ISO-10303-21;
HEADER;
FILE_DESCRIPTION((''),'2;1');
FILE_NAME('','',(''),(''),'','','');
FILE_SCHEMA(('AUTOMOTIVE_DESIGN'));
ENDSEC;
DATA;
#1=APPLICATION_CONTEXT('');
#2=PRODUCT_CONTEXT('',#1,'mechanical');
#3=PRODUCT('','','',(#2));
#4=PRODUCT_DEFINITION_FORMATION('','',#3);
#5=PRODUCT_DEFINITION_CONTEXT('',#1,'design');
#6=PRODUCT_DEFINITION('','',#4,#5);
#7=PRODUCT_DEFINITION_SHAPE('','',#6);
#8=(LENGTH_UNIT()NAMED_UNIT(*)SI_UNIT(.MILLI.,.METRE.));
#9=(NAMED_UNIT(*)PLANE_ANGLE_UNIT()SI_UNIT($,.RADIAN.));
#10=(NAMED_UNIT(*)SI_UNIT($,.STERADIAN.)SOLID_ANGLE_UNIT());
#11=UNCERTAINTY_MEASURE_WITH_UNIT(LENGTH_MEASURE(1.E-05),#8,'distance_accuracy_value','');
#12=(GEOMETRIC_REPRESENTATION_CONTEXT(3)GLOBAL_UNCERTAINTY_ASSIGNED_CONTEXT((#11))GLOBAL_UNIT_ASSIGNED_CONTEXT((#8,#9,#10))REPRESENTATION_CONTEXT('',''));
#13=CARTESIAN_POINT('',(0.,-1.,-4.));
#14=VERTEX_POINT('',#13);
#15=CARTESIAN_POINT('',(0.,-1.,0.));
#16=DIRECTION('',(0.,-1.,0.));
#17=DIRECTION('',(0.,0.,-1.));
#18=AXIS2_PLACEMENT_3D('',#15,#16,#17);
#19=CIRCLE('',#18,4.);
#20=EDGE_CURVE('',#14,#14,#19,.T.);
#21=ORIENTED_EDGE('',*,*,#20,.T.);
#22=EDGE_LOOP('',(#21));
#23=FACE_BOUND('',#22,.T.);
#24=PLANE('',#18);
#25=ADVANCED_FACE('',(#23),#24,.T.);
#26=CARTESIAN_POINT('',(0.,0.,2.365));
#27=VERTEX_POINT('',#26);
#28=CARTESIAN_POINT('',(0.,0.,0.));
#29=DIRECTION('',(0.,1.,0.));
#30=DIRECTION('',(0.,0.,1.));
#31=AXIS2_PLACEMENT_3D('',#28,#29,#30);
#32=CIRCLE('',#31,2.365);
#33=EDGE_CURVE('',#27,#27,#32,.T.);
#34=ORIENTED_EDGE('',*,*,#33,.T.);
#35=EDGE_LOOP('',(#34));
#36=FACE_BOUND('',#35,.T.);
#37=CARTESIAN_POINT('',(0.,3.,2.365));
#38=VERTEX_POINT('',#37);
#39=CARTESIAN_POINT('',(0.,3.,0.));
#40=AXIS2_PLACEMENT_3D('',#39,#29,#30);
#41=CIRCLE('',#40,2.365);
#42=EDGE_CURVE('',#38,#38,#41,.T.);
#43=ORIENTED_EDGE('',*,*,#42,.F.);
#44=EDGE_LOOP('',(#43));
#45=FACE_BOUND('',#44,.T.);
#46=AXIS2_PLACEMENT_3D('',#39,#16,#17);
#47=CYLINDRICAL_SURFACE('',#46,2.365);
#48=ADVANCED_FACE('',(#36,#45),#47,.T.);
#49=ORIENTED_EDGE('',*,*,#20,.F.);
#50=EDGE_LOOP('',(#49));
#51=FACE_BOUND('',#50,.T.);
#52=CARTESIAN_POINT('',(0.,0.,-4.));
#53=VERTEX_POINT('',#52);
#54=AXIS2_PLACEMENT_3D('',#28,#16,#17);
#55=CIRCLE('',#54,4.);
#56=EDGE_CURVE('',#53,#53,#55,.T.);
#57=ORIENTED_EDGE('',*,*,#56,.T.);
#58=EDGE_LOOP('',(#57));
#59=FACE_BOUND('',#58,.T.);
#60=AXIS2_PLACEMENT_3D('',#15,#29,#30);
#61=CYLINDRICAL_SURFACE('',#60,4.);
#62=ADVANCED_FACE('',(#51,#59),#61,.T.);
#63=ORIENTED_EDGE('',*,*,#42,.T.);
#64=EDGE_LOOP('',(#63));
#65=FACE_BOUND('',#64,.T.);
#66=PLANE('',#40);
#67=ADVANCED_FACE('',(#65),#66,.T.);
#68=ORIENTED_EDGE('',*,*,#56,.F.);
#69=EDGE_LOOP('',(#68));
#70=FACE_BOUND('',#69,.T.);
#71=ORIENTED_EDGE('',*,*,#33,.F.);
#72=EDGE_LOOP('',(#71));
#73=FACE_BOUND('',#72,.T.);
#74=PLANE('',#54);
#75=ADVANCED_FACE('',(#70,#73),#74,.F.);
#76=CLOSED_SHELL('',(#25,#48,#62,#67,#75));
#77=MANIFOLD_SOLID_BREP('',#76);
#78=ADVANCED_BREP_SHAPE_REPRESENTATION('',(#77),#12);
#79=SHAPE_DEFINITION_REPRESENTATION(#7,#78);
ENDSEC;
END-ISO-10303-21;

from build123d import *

# Parameters (mm, degrees)
CROQUIS1_R              = 2.365
SALIENTE_EXTRUIR1_DEPTH = 3
CROQUIS2_R              = 4
SALIENTE_EXTRUIR2_DEPTH = 1


with BuildPart() as part:
    # Croquis1 → Saliente-Extruir1 (new body)
    with BuildSketch(Plane(origin=(0, 0, 0), x_dir=(1, 0, 0), z_dir=(0, 1, 0))):
        Circle(CROQUIS1_R)
    extrude(amount=SALIENTE_EXTRUIR1_DEPTH)

    # Croquis2 → Saliente-Extruir2 (add)
    with BuildSketch(Plane.XZ):
        Circle(CROQUIS2_R)
    extrude(amount=SALIENTE_EXTRUIR2_DEPTH)


solid = part.part
